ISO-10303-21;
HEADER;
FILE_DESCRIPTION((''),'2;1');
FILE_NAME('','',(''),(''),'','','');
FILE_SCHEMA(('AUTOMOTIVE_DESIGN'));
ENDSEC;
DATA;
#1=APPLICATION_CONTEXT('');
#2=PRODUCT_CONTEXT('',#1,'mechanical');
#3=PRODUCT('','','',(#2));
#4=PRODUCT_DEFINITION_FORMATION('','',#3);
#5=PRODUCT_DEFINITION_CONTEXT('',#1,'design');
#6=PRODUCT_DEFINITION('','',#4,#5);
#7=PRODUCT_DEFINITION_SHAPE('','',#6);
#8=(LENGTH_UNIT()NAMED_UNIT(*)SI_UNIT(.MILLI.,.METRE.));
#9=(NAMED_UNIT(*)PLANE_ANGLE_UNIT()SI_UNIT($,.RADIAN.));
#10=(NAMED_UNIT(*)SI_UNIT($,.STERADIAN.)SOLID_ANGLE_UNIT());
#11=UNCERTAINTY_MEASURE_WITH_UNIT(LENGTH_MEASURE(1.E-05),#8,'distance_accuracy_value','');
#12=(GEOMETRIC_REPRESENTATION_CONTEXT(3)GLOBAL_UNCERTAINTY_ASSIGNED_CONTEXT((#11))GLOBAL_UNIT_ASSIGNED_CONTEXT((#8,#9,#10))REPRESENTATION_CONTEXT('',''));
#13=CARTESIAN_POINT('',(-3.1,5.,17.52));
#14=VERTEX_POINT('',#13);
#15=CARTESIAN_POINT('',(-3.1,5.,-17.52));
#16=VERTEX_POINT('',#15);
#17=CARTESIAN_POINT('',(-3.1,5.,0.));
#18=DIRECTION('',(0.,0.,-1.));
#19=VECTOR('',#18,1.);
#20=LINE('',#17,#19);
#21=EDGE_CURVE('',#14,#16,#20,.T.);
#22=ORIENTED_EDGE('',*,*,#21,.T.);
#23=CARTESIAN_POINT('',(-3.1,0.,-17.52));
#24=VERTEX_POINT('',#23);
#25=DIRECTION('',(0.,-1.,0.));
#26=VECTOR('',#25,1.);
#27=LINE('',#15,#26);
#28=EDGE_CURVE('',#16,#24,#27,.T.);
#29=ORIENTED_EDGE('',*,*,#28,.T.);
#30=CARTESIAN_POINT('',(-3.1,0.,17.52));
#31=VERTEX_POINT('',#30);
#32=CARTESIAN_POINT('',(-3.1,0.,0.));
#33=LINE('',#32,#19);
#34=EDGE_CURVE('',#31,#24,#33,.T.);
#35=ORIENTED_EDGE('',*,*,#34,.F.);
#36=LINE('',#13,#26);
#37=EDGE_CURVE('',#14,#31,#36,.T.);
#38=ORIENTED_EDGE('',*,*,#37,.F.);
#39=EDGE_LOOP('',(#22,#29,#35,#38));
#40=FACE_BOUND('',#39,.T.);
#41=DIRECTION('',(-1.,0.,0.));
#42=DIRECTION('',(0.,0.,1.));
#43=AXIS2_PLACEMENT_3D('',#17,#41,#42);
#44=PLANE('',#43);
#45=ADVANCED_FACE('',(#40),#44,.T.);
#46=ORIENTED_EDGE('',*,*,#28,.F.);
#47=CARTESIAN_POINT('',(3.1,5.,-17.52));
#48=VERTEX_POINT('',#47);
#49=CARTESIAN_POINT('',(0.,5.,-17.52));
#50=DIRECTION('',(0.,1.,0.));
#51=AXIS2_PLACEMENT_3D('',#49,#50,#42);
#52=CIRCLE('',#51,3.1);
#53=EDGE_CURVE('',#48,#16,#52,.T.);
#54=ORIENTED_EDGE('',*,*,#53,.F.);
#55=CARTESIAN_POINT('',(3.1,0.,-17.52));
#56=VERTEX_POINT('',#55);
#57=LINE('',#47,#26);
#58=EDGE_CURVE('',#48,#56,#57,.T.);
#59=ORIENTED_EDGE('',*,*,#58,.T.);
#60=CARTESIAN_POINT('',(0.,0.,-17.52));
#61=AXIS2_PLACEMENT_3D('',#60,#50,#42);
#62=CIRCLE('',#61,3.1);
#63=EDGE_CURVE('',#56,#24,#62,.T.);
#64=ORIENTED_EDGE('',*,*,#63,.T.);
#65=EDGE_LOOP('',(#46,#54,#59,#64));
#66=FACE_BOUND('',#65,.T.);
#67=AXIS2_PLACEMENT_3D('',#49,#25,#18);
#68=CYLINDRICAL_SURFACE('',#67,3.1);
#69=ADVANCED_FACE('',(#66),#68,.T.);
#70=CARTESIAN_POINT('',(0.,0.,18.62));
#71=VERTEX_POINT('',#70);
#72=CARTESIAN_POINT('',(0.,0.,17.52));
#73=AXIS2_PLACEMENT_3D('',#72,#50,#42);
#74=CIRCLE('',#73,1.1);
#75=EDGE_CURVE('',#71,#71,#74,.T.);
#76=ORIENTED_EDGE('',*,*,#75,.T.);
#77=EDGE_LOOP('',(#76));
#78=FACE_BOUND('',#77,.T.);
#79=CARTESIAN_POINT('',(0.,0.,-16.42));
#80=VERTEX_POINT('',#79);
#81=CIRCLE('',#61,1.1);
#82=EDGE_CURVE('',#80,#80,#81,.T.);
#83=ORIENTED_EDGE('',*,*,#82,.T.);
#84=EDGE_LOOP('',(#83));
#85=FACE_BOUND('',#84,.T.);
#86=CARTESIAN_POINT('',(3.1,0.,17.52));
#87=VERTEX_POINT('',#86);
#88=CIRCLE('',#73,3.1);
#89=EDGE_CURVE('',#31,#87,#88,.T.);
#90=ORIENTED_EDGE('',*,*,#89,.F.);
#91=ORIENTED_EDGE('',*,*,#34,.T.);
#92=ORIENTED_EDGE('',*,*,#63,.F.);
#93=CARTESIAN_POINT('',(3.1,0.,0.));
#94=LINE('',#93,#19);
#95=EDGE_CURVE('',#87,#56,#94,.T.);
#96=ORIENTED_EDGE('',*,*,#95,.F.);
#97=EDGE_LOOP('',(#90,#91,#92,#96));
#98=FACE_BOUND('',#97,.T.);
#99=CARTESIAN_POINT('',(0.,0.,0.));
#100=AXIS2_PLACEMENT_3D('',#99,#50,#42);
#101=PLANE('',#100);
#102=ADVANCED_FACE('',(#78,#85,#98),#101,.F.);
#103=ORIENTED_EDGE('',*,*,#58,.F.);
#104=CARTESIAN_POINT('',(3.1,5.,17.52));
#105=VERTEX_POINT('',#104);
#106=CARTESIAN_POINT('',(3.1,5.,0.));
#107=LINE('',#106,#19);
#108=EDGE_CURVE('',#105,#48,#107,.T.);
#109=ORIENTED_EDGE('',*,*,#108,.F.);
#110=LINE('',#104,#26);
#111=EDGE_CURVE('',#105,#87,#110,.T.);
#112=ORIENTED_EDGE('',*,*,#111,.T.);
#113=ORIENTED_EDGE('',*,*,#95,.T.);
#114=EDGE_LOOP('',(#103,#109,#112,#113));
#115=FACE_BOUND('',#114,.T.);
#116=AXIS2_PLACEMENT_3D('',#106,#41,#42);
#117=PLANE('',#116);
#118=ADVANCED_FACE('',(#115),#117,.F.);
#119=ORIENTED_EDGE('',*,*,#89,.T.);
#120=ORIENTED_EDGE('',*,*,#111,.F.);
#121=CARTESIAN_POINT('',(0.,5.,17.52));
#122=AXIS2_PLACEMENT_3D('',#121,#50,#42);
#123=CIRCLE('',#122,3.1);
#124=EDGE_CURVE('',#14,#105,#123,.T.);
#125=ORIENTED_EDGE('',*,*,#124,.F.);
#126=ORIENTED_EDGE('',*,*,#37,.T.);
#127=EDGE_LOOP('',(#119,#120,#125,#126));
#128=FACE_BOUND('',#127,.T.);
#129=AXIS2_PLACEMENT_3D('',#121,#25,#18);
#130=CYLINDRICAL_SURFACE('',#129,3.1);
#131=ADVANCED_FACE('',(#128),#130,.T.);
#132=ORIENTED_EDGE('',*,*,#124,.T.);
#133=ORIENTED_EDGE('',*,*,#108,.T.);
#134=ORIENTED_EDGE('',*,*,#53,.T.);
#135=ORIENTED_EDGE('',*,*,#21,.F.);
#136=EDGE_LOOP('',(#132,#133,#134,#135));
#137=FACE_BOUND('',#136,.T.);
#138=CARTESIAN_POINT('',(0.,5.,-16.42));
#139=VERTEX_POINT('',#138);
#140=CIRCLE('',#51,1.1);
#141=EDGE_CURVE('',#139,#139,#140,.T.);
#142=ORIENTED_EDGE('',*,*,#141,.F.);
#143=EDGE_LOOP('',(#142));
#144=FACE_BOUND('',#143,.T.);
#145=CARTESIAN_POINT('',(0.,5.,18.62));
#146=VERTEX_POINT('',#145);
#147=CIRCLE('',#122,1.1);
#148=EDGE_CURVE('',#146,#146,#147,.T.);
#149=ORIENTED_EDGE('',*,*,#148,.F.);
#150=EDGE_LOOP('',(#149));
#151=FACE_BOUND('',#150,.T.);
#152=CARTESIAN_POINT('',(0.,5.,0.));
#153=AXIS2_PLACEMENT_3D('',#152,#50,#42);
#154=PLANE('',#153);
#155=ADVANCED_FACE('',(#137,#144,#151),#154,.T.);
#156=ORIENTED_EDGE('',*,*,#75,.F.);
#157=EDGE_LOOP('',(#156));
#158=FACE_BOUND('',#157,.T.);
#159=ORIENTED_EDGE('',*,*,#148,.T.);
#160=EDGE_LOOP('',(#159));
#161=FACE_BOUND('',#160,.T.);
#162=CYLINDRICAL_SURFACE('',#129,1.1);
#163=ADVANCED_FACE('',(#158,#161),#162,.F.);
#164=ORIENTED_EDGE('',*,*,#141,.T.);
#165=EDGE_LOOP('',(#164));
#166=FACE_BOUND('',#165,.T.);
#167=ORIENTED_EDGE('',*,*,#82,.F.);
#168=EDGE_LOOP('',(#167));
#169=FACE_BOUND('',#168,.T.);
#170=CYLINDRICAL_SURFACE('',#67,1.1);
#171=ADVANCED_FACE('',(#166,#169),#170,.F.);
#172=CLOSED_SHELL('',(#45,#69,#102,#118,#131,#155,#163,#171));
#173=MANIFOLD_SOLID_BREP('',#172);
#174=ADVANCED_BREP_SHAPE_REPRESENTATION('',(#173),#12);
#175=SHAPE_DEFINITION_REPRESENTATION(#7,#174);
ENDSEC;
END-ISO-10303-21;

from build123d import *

# Parameters (mm, degrees)
SKETCH1_R           = 1.1
BOSS_EXTRUDE1_DEPTH = 5


with BuildPart() as part:
    # Sketch1 → Boss-Extrude1 (new body)
    with BuildSketch(Plane(origin=(0, 0, 0), x_dir=(1, 0, 0), z_dir=(0, 1, 0))):
        with BuildLine():
            Line((-3.1, -17.52), (-3.1, 17.52))
            ThreePointArc((-3.1, 17.52), (0, 20.62), (3.1, 17.52))
            Line((3.1, 17.52), (3.1, -17.52))
            ThreePointArc((3.1, -17.52), (0, -20.62), (-3.1, -17.52))
        make_face()
        with Locations((0, 17.52)):
            Circle(SKETCH1_R, mode=Mode.SUBTRACT)
        with Locations((0, -17.52)):
            Circle(SKETCH1_R, mode=Mode.SUBTRACT)
    extrude(amount=BOSS_EXTRUDE1_DEPTH)


solid = part.part
